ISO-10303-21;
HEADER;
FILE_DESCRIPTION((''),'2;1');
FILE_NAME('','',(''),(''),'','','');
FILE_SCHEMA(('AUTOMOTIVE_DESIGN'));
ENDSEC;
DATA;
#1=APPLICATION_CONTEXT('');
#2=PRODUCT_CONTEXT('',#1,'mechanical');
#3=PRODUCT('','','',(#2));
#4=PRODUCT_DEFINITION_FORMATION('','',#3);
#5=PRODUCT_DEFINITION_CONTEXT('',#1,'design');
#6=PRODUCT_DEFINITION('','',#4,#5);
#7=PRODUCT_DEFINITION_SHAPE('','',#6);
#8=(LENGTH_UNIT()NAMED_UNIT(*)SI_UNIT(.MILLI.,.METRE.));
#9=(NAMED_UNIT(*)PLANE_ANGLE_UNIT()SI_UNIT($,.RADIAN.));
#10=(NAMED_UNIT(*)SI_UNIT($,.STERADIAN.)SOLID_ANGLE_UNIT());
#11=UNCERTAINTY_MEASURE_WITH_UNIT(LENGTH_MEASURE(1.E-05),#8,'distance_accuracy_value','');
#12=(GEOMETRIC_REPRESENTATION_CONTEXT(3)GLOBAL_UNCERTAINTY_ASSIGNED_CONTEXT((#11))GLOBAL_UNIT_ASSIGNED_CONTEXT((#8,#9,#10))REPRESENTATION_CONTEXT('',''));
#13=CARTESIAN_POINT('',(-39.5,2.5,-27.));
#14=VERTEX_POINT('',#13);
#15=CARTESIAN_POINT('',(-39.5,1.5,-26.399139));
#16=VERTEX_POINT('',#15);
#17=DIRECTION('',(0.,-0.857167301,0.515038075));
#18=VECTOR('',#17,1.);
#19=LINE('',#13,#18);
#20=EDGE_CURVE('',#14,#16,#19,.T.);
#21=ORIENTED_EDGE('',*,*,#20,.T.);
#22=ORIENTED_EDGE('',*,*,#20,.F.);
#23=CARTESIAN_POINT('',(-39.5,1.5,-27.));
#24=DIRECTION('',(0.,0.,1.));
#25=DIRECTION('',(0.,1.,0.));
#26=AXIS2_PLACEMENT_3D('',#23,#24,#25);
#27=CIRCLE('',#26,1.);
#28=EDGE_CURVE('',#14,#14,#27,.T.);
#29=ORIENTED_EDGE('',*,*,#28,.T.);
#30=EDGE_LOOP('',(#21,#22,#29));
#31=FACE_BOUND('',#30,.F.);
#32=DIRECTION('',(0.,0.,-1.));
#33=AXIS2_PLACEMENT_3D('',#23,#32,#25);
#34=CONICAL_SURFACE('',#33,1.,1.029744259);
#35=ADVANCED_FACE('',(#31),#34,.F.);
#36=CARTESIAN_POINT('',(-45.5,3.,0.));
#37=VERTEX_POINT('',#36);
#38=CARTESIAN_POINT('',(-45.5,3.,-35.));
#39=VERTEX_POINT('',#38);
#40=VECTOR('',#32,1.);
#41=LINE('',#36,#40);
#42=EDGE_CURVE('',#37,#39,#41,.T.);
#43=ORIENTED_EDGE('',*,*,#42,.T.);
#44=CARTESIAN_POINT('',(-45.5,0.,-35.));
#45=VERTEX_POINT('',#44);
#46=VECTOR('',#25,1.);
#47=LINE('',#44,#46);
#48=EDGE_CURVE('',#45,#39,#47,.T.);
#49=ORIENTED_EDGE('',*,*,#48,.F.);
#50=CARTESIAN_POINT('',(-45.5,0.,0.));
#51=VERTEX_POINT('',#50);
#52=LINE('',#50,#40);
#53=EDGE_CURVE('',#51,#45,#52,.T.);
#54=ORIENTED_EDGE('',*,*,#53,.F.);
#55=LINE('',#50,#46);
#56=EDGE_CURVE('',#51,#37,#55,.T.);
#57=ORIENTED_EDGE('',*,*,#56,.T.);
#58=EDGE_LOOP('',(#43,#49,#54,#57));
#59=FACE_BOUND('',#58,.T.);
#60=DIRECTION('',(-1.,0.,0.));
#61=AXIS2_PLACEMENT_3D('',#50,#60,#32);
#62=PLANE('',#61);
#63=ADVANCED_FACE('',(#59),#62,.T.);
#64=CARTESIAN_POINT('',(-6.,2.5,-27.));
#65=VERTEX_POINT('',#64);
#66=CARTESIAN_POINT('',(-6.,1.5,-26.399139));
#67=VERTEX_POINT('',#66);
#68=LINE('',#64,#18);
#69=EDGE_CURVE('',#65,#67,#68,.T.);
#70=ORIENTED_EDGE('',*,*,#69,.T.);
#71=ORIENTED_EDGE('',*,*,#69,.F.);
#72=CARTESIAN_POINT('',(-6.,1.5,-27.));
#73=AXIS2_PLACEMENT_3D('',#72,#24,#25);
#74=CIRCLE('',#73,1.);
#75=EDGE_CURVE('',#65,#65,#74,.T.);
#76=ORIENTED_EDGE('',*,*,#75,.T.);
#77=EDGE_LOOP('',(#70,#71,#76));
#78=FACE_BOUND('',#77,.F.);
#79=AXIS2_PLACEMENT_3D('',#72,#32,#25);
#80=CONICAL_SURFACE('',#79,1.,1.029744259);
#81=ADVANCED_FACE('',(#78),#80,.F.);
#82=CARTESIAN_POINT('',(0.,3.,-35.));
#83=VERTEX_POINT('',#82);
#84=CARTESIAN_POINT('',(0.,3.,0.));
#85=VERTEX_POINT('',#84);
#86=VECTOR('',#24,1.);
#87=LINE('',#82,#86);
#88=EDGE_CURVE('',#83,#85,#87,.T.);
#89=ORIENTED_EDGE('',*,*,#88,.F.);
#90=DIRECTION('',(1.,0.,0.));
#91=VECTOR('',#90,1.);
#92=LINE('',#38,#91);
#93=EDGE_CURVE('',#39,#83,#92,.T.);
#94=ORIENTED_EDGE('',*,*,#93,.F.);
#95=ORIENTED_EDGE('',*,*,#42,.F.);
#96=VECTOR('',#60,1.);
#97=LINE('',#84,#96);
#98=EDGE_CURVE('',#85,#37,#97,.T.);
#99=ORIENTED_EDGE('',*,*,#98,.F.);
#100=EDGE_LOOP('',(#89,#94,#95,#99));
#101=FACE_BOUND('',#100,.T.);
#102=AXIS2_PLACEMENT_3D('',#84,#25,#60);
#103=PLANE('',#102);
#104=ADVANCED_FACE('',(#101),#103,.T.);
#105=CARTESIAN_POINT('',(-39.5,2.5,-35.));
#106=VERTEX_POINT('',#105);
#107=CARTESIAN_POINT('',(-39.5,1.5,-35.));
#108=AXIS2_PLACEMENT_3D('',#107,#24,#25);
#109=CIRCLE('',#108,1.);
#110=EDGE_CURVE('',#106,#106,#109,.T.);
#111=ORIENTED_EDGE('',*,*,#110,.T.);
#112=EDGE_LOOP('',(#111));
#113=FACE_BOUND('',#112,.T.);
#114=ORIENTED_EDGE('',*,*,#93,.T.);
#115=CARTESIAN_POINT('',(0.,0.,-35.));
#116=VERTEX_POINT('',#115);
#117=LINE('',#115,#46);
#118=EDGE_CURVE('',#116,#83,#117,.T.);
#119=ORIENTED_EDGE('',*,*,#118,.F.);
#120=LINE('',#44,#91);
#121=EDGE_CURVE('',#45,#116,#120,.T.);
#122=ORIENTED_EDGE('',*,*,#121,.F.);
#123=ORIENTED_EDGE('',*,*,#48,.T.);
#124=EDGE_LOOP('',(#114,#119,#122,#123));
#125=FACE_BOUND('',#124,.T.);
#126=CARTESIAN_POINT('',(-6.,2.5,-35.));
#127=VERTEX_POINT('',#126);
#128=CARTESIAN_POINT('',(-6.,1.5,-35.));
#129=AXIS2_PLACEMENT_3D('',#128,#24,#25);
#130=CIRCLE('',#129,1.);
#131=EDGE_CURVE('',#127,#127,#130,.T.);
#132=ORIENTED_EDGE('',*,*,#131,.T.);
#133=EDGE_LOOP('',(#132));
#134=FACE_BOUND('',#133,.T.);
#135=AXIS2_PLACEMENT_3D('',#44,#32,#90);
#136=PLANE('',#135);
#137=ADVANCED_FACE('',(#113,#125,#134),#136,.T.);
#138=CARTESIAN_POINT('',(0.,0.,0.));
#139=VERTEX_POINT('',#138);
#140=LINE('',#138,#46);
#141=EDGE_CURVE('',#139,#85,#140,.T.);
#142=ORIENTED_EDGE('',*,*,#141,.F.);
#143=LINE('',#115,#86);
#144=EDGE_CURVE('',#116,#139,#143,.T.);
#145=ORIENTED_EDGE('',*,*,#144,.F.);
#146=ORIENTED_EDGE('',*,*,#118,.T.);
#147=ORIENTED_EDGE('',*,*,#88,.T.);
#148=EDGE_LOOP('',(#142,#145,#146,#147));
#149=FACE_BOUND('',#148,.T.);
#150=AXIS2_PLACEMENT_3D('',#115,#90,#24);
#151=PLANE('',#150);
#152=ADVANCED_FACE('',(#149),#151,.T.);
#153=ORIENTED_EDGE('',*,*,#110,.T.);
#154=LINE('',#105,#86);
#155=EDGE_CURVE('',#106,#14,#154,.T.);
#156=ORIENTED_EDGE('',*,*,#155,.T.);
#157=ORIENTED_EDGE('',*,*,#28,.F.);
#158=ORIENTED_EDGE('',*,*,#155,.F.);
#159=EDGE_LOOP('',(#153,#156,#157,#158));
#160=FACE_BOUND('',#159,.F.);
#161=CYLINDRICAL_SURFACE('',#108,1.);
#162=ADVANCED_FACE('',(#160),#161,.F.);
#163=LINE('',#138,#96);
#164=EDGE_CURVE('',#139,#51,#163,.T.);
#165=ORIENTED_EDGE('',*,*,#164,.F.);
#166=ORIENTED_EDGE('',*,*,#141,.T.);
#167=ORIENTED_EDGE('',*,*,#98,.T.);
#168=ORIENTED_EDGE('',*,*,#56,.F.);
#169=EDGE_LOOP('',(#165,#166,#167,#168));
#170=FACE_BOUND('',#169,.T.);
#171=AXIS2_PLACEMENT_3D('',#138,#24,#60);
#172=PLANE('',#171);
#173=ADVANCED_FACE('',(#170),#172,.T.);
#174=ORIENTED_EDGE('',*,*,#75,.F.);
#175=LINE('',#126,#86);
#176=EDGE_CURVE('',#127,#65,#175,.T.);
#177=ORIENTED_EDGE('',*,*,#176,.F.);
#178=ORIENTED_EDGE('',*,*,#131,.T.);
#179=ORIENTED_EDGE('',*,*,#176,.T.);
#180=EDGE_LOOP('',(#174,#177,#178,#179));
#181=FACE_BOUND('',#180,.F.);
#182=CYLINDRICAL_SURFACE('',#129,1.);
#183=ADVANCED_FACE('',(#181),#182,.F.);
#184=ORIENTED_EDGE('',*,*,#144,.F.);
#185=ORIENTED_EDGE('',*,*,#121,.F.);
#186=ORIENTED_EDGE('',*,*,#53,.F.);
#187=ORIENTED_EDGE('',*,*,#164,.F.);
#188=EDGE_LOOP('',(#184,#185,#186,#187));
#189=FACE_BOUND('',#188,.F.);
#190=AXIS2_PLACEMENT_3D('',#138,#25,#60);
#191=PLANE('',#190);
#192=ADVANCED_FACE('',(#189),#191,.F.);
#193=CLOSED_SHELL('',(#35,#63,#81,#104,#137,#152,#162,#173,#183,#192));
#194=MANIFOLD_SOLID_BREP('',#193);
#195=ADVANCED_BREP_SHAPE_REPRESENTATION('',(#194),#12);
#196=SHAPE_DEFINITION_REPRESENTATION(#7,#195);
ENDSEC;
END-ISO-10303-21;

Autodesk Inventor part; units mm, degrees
ref_plane "YZ Plane" through (0, 0, 0) normal (1, 0, 0) x (0, 1, 0)
ref_plane "XZ Plane" through (0, 0, 0) normal (0, 1, 0) x (-1, 0, 0)
ref_plane "XY Plane" through (0, 0, 0) normal (0, 0, 1) x (1, 0, 0)
sketch "Sketch1" plane through (0, 0, 0) normal (0, 1, 0) x (-1, 0, 0)
  line L0 (0, 0) -> (45.5, 0)
  line L1 (45.5, 0) -> (45.5, -35)
  line L2 (45.5, -35) -> (0, -35)
  line L3 (0, -35) -> (0, 0)
  dimension "d0" = 45.5
  dimension "d1" = 35
extrude "Extrusion1" add sketch "Sketch1" along normal blind 3
sketch "Sketch2" plane through (0, 0, -35) normal (0, 0, -1) x (-1, 0, 0)
  circle A0 centre (6, 1.5) radius 1
  line L0 (0, 0) -> (0, 3) projected
  line L1 (45.5, 0) -> (0, 0) projected
  line L2 (0, 0) -> (45.5, 0) projected
  line L3 (22.75, 0) -> (22.75, 1.5)
  circle A1 centre (39.5, 1.5) radius 1
  dimension "d4" = 2
  dimension "d5" = 6
  dimension "d6" = 1.5
hole "Hole1" at (-39.5, 1.5, -35) at (-6, 1.5, -35) direction (0, 0, 1) diameter 2 depth 8 tip angle 118
properties part number "FrontSupportCover" material "Wood (Birch)"
